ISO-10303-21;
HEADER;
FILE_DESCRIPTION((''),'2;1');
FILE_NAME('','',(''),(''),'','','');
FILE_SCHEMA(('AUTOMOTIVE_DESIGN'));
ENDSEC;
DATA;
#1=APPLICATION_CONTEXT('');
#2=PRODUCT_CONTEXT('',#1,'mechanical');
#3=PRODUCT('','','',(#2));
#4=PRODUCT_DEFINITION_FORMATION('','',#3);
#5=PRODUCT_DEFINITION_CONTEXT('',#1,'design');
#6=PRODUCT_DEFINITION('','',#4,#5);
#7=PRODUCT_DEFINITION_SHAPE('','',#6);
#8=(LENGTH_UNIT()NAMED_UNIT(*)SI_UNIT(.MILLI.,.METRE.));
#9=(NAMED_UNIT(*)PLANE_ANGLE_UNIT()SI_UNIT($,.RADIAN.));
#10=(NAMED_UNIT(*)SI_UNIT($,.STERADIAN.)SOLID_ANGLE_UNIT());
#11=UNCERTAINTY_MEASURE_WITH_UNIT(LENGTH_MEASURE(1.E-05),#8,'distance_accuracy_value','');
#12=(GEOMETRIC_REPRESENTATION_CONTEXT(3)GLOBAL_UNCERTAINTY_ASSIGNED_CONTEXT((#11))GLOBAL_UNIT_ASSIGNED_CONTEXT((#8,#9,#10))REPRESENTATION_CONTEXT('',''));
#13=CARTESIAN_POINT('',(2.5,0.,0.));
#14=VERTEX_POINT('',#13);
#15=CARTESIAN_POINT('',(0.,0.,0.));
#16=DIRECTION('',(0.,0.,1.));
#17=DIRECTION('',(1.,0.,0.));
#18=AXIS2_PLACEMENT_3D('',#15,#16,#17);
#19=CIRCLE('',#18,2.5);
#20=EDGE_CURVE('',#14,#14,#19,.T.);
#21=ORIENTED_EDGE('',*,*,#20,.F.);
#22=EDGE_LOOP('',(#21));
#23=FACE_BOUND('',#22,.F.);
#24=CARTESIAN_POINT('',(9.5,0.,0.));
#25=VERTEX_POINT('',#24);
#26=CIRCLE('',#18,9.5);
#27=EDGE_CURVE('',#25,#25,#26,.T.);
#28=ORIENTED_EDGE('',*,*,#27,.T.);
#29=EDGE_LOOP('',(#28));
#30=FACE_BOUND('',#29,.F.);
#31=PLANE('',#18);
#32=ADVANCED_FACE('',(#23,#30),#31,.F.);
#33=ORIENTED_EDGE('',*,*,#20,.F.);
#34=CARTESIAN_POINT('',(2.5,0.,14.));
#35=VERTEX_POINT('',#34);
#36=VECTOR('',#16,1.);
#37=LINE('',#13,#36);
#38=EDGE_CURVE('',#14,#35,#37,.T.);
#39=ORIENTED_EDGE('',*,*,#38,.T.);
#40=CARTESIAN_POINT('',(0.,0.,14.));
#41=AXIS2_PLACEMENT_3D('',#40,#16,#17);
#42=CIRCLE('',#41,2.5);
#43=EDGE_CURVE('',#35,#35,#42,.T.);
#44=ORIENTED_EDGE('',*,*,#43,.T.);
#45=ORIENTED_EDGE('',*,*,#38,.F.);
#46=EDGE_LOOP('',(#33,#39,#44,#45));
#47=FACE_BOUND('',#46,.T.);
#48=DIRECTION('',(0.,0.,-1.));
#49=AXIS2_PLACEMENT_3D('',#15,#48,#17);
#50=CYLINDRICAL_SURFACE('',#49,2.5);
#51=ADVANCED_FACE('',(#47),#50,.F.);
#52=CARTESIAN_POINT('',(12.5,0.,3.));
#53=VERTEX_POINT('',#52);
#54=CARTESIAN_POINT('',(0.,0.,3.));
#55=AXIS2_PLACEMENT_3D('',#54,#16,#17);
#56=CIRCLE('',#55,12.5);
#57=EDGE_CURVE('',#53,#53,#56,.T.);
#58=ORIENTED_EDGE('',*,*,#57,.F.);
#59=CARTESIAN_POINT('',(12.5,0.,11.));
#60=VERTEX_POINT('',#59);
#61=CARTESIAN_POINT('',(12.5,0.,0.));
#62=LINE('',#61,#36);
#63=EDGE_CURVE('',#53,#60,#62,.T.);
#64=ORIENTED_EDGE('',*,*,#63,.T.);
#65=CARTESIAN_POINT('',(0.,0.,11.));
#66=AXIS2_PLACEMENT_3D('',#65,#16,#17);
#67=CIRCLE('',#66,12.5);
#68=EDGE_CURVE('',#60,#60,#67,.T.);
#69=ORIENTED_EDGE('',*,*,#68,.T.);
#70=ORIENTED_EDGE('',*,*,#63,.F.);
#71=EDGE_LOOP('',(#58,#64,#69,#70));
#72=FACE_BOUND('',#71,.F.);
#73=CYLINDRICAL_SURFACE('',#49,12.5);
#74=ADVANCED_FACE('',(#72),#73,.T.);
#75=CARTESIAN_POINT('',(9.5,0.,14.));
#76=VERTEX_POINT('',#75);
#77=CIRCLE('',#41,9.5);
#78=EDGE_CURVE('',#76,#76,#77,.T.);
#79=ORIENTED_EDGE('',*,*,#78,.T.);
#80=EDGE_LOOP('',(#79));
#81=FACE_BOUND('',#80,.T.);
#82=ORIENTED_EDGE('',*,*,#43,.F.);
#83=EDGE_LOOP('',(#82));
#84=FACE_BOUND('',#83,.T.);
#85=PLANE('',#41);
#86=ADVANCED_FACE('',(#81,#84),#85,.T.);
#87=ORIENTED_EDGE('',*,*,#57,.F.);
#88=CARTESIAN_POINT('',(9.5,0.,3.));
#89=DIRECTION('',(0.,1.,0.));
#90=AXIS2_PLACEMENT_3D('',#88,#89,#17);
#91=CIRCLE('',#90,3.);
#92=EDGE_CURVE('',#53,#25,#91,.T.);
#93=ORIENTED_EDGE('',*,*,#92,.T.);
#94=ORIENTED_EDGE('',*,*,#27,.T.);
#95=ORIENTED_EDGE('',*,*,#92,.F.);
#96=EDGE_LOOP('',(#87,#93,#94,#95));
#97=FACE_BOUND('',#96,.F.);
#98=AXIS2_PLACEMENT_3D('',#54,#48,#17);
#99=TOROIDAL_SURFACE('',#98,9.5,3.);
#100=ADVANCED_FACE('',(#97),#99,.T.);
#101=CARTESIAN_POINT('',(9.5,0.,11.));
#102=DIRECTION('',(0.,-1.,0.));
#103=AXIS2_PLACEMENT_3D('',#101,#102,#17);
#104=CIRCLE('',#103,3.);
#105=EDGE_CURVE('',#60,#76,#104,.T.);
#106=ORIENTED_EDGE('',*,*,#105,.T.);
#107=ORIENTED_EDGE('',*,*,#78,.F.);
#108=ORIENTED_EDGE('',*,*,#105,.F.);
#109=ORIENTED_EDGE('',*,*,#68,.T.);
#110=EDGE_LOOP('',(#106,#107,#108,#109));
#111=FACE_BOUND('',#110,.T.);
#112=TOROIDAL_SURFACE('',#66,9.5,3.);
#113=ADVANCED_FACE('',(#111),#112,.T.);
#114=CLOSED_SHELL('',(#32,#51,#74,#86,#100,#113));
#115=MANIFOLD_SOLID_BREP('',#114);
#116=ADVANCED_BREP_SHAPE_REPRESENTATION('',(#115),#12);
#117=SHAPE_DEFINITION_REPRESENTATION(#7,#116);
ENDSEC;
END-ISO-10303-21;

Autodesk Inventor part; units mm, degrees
ref_plane "YZ Plane" through (0, 0, 0) normal (1, 0, 0) x (0, 1, 0)
ref_plane "XZ Plane" through (0, 0, 0) normal (0, 1, 0) x (-1, 0, 0)
ref_plane "XY Plane" through (0, 0, 0) normal (0, 0, 1) x (1, 0, 0)
sketch "스케치1" plane through (0, 0, 0) normal (0, 0, 1) x (1, 0, 0)
  circle A0 centre (0, 0) radius 12.5
  circle A1 centre (0, 0) radius 2.5
  dimension "d0" = 25
  dimension "d1" = 5
extrude "돌출1" add sketch "스케치1" along normal blind 14
fillet "모깎기1" radius 3 2 edges at (-12.5, 0, 14) (-12.5, 0, 0)
properties part number "castor_wheel" material "고무, 실리콘"
